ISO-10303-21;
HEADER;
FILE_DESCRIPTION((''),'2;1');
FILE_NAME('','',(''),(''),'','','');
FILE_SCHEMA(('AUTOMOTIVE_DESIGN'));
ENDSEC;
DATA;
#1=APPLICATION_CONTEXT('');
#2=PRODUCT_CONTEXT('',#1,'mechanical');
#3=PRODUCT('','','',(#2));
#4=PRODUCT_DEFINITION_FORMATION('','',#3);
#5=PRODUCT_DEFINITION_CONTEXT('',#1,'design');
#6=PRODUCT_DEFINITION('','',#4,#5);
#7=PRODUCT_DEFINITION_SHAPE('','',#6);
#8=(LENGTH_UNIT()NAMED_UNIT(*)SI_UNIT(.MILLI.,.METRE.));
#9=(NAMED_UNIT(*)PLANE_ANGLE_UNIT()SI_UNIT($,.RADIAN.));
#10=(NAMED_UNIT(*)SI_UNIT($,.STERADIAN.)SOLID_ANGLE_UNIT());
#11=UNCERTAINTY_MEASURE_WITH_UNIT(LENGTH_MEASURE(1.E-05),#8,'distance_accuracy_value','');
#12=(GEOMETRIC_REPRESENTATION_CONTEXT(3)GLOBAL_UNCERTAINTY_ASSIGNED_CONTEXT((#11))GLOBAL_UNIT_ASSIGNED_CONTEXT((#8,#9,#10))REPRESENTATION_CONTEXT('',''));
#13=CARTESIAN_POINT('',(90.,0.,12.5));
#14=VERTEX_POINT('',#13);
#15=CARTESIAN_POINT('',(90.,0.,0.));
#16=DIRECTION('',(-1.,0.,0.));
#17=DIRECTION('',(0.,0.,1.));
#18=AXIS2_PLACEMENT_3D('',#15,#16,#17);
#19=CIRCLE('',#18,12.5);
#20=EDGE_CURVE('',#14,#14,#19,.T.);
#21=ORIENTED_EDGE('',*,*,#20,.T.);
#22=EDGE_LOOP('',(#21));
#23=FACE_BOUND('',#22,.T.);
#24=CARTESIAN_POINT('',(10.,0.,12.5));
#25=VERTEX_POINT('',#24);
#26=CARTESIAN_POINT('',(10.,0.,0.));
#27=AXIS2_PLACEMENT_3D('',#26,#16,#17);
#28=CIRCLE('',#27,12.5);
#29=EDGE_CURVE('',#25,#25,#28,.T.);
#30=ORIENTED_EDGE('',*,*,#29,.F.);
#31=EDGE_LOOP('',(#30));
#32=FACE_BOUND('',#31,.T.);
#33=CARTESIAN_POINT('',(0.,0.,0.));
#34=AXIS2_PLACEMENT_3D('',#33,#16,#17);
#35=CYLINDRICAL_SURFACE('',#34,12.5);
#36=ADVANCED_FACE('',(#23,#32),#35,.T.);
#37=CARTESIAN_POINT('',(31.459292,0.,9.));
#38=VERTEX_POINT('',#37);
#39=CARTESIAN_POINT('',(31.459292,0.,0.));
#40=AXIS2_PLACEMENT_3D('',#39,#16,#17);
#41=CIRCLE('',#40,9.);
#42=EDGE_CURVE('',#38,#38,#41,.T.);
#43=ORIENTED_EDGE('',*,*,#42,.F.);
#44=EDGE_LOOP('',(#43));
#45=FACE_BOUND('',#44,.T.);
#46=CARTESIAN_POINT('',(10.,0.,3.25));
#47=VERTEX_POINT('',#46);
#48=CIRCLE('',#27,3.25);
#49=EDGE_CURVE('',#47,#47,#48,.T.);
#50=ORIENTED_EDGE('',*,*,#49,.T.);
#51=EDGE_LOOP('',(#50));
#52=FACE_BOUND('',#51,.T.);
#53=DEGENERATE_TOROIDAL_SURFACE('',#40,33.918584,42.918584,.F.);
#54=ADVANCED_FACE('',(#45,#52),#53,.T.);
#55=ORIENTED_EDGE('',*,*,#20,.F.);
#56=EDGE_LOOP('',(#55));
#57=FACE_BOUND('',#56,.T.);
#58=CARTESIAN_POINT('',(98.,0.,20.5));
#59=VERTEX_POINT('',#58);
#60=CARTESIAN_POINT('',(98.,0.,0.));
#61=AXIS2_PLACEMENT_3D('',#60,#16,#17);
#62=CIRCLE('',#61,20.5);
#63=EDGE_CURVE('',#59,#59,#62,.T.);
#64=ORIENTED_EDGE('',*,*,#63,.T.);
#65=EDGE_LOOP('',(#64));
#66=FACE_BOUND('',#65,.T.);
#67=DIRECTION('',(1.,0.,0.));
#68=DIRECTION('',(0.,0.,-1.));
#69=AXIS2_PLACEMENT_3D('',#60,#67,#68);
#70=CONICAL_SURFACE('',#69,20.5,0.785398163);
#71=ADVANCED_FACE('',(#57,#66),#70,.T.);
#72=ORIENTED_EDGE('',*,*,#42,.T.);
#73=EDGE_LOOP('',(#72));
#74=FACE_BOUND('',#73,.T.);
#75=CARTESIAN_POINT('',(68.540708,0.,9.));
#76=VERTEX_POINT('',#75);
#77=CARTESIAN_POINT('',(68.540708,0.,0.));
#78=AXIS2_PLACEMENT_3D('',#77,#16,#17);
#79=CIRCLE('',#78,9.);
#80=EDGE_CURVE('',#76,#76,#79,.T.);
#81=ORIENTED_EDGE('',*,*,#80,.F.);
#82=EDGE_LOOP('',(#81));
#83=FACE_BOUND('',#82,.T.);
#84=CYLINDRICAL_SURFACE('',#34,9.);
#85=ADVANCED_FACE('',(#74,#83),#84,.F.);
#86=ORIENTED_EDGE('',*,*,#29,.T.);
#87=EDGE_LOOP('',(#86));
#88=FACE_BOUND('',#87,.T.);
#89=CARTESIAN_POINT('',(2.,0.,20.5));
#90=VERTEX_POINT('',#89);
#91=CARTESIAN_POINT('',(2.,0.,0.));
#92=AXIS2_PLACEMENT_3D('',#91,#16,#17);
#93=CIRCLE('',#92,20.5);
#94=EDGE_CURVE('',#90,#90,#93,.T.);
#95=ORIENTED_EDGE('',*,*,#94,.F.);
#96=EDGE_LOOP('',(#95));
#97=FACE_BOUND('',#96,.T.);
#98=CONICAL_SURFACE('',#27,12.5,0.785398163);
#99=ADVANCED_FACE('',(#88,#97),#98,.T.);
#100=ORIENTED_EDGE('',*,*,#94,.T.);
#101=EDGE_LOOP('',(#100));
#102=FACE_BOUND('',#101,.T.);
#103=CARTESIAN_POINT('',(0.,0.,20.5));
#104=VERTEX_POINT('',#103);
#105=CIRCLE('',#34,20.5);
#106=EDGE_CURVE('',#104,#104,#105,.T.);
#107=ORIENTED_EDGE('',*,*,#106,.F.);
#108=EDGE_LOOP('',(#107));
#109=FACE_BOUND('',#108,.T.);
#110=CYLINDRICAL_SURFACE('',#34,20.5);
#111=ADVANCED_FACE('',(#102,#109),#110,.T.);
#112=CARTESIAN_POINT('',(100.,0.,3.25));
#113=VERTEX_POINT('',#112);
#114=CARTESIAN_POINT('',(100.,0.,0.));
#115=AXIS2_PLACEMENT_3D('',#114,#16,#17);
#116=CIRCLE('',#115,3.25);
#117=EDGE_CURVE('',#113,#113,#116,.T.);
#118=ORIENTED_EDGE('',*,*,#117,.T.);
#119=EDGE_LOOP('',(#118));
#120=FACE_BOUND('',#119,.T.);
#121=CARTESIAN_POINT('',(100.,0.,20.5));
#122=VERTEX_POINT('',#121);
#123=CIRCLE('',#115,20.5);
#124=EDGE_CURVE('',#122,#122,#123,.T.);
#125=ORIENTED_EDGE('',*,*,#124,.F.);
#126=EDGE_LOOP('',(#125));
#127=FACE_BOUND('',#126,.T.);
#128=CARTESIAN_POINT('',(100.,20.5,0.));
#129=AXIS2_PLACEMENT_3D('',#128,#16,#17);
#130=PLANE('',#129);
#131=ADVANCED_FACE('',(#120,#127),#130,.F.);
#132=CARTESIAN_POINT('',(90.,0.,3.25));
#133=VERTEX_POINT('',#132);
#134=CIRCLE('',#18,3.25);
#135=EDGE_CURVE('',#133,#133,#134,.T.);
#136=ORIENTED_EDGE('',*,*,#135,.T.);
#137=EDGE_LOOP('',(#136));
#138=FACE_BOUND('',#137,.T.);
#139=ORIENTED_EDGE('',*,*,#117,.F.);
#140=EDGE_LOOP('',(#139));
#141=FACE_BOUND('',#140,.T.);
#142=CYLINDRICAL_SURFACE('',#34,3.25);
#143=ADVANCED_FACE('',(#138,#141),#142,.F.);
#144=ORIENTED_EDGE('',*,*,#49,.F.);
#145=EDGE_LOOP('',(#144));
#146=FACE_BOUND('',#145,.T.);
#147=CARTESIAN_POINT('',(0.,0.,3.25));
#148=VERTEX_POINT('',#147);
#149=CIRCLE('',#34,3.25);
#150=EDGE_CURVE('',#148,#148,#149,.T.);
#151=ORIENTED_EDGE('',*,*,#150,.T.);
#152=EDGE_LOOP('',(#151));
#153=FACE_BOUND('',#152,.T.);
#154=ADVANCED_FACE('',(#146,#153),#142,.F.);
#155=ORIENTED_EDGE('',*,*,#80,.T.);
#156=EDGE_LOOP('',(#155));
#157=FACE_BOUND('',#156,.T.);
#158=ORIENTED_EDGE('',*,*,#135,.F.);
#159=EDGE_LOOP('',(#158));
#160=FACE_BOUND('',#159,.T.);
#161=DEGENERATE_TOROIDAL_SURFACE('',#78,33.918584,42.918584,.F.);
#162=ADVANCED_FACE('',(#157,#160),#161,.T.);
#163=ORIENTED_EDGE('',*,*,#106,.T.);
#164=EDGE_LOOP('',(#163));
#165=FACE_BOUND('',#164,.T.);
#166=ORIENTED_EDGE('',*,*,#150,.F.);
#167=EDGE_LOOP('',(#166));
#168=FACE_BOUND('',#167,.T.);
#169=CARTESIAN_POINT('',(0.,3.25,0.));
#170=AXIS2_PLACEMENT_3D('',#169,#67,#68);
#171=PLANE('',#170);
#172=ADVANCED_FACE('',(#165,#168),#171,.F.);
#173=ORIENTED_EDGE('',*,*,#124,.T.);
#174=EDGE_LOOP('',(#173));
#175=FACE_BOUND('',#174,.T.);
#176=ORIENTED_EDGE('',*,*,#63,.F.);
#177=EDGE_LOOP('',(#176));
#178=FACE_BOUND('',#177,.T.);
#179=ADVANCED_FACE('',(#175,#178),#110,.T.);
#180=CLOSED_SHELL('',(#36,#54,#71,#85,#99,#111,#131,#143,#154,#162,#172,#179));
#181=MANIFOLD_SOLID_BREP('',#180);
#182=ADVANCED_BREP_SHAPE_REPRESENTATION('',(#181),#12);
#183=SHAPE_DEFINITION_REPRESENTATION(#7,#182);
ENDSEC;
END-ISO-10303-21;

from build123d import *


with BuildPart() as part:
    # Sketch1 → Revolve1 (revolve)
    with BuildSketch(Plane.XY, mode=Mode.PRIVATE) as revolve1_sk:
        with BuildLine():
            Line((0, 3.25), (10, 3.25))
            ThreePointArc((10, 3.25), (20.351145141, 7.537584704), (31.459292144, 9))
            Line((31.459292144, 9), (68.540707856, 9))
            ThreePointArc((68.540707856, 9), (79.648854859, 7.537584704), (90, 3.25))
            Line((90, 3.25), (100, 3.25))
            Line((100, 3.25), (100, 20.5))
            Line((100, 20.5), (98, 20.5))
            Line((98, 20.5), (90, 12.5))
            Line((90, 12.5), (10, 12.5))
            Line((10, 12.5), (2, 20.5))
            Line((2, 20.5), (0, 20.5))
            Line((0, 20.5), (0, 3.25))
        make_face()
    revolve(revolve1_sk.sketch.rotate(Axis((0, 0, 0), (1, 0, 0)), 90), axis=Axis((0, 0, 0), (1, 0, 0)))


solid = part.part
